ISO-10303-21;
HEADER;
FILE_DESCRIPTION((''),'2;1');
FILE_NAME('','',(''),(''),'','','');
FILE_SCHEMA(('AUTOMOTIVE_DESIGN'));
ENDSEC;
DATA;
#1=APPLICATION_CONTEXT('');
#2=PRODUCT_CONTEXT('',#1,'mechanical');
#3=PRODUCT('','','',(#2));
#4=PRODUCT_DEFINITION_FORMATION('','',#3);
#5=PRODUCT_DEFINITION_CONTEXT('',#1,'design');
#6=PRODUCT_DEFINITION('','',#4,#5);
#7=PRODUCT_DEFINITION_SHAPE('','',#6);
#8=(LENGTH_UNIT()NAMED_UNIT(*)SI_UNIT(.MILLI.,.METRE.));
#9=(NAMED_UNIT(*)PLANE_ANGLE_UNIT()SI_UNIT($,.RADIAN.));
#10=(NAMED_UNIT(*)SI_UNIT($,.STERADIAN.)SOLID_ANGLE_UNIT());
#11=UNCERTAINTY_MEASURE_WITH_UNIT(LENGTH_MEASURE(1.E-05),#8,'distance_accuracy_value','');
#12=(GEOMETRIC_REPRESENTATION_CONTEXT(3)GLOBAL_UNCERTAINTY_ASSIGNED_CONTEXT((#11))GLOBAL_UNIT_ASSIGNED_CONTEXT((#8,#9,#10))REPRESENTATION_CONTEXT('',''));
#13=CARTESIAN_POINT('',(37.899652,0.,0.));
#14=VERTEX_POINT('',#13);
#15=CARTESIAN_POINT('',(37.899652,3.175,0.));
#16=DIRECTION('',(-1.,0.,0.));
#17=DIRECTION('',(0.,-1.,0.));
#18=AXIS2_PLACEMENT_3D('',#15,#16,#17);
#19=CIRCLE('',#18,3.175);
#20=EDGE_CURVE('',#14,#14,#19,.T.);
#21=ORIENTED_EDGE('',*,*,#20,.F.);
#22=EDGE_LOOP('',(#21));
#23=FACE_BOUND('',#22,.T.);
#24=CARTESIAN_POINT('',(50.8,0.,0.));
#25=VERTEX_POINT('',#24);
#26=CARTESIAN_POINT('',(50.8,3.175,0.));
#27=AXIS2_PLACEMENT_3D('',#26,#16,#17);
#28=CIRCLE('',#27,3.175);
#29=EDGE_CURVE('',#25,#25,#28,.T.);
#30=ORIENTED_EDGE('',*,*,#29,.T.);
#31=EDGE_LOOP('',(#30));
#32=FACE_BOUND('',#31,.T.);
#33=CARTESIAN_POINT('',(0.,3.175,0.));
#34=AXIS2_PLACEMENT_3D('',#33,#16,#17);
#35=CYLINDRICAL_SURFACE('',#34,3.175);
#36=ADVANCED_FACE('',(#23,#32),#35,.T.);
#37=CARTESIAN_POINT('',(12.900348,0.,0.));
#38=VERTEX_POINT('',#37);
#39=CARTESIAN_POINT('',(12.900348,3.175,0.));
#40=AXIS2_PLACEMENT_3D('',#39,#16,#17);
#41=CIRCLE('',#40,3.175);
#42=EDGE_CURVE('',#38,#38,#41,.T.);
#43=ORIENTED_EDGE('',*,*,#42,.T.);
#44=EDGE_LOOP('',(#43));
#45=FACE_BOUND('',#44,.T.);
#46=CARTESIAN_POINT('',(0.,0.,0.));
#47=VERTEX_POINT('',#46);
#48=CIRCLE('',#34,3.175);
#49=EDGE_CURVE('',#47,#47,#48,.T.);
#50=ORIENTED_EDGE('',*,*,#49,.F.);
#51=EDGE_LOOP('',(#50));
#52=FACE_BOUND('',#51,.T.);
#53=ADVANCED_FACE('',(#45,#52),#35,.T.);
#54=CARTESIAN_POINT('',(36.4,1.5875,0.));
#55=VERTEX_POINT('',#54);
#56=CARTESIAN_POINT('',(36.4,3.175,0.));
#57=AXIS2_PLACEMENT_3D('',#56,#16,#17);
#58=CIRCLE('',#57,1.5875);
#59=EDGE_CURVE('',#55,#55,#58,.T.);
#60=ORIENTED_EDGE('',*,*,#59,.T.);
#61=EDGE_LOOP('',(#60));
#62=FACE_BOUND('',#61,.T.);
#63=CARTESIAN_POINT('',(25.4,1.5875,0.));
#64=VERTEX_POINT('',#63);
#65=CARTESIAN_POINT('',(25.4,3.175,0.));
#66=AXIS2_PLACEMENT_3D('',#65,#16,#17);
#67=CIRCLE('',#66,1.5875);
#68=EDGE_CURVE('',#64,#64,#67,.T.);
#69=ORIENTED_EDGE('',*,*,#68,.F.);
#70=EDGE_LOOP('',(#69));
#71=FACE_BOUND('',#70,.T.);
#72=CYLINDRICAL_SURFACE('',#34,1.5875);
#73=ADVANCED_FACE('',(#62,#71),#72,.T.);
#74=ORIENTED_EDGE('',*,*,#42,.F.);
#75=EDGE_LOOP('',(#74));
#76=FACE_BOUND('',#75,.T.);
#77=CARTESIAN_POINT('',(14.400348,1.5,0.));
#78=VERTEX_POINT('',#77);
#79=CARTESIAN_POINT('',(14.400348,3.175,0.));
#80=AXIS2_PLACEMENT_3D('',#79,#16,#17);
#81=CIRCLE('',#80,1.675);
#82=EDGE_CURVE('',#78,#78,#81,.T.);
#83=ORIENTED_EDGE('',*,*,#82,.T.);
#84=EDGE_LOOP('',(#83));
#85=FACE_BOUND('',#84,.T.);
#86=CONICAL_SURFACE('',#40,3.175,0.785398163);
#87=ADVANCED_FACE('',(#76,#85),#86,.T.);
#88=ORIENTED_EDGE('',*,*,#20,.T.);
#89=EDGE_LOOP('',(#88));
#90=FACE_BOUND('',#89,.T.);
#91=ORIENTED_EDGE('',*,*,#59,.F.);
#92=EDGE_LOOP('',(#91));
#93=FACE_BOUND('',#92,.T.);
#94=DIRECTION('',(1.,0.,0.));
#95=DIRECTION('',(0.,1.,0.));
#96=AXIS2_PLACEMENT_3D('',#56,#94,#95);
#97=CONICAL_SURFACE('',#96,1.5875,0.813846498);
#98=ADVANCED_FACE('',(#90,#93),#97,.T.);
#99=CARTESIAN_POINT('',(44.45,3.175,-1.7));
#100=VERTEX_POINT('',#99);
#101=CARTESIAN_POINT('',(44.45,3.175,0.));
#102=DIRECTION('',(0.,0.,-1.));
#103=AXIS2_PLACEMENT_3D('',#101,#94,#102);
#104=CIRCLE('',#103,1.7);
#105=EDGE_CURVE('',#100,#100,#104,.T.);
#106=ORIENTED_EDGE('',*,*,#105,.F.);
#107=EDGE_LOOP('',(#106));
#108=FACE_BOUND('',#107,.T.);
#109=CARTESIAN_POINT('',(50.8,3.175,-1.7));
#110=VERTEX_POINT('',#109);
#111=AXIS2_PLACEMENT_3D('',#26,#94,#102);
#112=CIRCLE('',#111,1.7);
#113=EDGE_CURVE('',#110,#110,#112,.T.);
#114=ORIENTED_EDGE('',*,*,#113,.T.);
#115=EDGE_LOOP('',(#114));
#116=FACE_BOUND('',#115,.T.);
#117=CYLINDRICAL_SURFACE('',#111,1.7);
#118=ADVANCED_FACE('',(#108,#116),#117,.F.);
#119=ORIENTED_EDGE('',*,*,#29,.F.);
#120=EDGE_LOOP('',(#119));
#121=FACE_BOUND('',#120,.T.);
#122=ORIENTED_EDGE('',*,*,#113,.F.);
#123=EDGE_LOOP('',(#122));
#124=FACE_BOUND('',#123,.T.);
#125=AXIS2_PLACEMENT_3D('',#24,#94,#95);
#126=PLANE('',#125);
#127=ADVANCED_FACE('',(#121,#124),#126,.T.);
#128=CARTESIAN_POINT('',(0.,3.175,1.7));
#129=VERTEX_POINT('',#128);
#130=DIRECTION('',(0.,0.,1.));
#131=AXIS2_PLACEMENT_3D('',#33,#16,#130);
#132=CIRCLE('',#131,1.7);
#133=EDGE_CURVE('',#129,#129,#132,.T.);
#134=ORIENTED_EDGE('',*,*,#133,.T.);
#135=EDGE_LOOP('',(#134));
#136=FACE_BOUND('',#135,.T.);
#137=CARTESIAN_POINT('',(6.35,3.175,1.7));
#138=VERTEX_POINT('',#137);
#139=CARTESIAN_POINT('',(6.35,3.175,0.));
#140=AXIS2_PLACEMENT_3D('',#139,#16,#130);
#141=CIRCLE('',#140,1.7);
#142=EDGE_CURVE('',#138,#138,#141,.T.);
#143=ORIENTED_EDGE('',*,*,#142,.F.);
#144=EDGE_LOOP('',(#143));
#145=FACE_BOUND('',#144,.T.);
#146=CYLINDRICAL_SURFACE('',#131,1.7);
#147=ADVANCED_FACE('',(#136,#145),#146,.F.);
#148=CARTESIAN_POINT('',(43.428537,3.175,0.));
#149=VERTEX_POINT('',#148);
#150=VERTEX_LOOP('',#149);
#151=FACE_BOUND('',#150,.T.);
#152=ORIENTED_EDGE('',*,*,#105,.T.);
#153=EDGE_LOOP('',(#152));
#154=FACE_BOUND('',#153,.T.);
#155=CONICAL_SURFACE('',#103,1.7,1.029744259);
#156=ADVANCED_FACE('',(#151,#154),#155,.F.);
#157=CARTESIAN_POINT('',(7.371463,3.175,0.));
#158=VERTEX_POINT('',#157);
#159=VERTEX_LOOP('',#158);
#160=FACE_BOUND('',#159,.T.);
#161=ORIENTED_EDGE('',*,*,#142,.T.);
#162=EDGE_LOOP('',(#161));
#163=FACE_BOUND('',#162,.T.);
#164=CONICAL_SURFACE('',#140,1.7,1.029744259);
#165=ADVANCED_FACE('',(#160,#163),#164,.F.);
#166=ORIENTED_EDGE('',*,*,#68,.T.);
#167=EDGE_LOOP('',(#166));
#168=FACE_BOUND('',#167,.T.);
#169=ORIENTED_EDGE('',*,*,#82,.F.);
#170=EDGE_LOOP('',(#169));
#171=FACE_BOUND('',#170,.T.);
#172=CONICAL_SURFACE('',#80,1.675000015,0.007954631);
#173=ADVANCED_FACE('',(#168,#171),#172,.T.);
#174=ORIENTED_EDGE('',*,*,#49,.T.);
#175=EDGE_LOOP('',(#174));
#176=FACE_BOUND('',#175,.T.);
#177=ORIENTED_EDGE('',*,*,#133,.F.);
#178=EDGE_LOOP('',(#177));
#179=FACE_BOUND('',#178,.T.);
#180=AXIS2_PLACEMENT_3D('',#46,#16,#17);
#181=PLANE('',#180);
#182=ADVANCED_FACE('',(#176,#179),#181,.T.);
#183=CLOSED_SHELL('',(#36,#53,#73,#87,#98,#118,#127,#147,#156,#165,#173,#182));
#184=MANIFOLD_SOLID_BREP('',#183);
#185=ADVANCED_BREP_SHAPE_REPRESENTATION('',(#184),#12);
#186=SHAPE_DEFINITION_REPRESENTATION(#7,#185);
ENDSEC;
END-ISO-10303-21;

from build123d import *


with BuildPart() as part:
    # Sketch1 → Revolve1 (revolve)
    with BuildSketch(Plane.XY):
        Polygon((25.4, 1.5875), (14.400348017, 1.499999985), (12.900348032, 0), (0, 0), (0, 3.175), (50.8, 3.175), (50.8, 0), (37.899651968, 0), (36.4, 1.5875), align=None)
    revolve(axis=Axis((0, 3.175, 0), (1, 0, 0)))

    # Sketch6 → M3 Clearance Hole1 (revolve, cut)
    with BuildSketch(Plane.ZX.offset(3.175)):
        Polygon((0, 0), (0, 7.371463052), (1.7, 6.35), (1.7, 0), align=None)
    m3_clearance_hole1 = revolve(axis=Axis((-6.35, 3.175, 0), (1, 0, 0)), mode=Mode.SUBTRACT)

    # Mirror1: M3 Clearance Hole1 across plane
    add(m3_clearance_hole1.mirror(Plane.ZY.offset(-25.4)), mode=Mode.SUBTRACT)


solid = part.part
